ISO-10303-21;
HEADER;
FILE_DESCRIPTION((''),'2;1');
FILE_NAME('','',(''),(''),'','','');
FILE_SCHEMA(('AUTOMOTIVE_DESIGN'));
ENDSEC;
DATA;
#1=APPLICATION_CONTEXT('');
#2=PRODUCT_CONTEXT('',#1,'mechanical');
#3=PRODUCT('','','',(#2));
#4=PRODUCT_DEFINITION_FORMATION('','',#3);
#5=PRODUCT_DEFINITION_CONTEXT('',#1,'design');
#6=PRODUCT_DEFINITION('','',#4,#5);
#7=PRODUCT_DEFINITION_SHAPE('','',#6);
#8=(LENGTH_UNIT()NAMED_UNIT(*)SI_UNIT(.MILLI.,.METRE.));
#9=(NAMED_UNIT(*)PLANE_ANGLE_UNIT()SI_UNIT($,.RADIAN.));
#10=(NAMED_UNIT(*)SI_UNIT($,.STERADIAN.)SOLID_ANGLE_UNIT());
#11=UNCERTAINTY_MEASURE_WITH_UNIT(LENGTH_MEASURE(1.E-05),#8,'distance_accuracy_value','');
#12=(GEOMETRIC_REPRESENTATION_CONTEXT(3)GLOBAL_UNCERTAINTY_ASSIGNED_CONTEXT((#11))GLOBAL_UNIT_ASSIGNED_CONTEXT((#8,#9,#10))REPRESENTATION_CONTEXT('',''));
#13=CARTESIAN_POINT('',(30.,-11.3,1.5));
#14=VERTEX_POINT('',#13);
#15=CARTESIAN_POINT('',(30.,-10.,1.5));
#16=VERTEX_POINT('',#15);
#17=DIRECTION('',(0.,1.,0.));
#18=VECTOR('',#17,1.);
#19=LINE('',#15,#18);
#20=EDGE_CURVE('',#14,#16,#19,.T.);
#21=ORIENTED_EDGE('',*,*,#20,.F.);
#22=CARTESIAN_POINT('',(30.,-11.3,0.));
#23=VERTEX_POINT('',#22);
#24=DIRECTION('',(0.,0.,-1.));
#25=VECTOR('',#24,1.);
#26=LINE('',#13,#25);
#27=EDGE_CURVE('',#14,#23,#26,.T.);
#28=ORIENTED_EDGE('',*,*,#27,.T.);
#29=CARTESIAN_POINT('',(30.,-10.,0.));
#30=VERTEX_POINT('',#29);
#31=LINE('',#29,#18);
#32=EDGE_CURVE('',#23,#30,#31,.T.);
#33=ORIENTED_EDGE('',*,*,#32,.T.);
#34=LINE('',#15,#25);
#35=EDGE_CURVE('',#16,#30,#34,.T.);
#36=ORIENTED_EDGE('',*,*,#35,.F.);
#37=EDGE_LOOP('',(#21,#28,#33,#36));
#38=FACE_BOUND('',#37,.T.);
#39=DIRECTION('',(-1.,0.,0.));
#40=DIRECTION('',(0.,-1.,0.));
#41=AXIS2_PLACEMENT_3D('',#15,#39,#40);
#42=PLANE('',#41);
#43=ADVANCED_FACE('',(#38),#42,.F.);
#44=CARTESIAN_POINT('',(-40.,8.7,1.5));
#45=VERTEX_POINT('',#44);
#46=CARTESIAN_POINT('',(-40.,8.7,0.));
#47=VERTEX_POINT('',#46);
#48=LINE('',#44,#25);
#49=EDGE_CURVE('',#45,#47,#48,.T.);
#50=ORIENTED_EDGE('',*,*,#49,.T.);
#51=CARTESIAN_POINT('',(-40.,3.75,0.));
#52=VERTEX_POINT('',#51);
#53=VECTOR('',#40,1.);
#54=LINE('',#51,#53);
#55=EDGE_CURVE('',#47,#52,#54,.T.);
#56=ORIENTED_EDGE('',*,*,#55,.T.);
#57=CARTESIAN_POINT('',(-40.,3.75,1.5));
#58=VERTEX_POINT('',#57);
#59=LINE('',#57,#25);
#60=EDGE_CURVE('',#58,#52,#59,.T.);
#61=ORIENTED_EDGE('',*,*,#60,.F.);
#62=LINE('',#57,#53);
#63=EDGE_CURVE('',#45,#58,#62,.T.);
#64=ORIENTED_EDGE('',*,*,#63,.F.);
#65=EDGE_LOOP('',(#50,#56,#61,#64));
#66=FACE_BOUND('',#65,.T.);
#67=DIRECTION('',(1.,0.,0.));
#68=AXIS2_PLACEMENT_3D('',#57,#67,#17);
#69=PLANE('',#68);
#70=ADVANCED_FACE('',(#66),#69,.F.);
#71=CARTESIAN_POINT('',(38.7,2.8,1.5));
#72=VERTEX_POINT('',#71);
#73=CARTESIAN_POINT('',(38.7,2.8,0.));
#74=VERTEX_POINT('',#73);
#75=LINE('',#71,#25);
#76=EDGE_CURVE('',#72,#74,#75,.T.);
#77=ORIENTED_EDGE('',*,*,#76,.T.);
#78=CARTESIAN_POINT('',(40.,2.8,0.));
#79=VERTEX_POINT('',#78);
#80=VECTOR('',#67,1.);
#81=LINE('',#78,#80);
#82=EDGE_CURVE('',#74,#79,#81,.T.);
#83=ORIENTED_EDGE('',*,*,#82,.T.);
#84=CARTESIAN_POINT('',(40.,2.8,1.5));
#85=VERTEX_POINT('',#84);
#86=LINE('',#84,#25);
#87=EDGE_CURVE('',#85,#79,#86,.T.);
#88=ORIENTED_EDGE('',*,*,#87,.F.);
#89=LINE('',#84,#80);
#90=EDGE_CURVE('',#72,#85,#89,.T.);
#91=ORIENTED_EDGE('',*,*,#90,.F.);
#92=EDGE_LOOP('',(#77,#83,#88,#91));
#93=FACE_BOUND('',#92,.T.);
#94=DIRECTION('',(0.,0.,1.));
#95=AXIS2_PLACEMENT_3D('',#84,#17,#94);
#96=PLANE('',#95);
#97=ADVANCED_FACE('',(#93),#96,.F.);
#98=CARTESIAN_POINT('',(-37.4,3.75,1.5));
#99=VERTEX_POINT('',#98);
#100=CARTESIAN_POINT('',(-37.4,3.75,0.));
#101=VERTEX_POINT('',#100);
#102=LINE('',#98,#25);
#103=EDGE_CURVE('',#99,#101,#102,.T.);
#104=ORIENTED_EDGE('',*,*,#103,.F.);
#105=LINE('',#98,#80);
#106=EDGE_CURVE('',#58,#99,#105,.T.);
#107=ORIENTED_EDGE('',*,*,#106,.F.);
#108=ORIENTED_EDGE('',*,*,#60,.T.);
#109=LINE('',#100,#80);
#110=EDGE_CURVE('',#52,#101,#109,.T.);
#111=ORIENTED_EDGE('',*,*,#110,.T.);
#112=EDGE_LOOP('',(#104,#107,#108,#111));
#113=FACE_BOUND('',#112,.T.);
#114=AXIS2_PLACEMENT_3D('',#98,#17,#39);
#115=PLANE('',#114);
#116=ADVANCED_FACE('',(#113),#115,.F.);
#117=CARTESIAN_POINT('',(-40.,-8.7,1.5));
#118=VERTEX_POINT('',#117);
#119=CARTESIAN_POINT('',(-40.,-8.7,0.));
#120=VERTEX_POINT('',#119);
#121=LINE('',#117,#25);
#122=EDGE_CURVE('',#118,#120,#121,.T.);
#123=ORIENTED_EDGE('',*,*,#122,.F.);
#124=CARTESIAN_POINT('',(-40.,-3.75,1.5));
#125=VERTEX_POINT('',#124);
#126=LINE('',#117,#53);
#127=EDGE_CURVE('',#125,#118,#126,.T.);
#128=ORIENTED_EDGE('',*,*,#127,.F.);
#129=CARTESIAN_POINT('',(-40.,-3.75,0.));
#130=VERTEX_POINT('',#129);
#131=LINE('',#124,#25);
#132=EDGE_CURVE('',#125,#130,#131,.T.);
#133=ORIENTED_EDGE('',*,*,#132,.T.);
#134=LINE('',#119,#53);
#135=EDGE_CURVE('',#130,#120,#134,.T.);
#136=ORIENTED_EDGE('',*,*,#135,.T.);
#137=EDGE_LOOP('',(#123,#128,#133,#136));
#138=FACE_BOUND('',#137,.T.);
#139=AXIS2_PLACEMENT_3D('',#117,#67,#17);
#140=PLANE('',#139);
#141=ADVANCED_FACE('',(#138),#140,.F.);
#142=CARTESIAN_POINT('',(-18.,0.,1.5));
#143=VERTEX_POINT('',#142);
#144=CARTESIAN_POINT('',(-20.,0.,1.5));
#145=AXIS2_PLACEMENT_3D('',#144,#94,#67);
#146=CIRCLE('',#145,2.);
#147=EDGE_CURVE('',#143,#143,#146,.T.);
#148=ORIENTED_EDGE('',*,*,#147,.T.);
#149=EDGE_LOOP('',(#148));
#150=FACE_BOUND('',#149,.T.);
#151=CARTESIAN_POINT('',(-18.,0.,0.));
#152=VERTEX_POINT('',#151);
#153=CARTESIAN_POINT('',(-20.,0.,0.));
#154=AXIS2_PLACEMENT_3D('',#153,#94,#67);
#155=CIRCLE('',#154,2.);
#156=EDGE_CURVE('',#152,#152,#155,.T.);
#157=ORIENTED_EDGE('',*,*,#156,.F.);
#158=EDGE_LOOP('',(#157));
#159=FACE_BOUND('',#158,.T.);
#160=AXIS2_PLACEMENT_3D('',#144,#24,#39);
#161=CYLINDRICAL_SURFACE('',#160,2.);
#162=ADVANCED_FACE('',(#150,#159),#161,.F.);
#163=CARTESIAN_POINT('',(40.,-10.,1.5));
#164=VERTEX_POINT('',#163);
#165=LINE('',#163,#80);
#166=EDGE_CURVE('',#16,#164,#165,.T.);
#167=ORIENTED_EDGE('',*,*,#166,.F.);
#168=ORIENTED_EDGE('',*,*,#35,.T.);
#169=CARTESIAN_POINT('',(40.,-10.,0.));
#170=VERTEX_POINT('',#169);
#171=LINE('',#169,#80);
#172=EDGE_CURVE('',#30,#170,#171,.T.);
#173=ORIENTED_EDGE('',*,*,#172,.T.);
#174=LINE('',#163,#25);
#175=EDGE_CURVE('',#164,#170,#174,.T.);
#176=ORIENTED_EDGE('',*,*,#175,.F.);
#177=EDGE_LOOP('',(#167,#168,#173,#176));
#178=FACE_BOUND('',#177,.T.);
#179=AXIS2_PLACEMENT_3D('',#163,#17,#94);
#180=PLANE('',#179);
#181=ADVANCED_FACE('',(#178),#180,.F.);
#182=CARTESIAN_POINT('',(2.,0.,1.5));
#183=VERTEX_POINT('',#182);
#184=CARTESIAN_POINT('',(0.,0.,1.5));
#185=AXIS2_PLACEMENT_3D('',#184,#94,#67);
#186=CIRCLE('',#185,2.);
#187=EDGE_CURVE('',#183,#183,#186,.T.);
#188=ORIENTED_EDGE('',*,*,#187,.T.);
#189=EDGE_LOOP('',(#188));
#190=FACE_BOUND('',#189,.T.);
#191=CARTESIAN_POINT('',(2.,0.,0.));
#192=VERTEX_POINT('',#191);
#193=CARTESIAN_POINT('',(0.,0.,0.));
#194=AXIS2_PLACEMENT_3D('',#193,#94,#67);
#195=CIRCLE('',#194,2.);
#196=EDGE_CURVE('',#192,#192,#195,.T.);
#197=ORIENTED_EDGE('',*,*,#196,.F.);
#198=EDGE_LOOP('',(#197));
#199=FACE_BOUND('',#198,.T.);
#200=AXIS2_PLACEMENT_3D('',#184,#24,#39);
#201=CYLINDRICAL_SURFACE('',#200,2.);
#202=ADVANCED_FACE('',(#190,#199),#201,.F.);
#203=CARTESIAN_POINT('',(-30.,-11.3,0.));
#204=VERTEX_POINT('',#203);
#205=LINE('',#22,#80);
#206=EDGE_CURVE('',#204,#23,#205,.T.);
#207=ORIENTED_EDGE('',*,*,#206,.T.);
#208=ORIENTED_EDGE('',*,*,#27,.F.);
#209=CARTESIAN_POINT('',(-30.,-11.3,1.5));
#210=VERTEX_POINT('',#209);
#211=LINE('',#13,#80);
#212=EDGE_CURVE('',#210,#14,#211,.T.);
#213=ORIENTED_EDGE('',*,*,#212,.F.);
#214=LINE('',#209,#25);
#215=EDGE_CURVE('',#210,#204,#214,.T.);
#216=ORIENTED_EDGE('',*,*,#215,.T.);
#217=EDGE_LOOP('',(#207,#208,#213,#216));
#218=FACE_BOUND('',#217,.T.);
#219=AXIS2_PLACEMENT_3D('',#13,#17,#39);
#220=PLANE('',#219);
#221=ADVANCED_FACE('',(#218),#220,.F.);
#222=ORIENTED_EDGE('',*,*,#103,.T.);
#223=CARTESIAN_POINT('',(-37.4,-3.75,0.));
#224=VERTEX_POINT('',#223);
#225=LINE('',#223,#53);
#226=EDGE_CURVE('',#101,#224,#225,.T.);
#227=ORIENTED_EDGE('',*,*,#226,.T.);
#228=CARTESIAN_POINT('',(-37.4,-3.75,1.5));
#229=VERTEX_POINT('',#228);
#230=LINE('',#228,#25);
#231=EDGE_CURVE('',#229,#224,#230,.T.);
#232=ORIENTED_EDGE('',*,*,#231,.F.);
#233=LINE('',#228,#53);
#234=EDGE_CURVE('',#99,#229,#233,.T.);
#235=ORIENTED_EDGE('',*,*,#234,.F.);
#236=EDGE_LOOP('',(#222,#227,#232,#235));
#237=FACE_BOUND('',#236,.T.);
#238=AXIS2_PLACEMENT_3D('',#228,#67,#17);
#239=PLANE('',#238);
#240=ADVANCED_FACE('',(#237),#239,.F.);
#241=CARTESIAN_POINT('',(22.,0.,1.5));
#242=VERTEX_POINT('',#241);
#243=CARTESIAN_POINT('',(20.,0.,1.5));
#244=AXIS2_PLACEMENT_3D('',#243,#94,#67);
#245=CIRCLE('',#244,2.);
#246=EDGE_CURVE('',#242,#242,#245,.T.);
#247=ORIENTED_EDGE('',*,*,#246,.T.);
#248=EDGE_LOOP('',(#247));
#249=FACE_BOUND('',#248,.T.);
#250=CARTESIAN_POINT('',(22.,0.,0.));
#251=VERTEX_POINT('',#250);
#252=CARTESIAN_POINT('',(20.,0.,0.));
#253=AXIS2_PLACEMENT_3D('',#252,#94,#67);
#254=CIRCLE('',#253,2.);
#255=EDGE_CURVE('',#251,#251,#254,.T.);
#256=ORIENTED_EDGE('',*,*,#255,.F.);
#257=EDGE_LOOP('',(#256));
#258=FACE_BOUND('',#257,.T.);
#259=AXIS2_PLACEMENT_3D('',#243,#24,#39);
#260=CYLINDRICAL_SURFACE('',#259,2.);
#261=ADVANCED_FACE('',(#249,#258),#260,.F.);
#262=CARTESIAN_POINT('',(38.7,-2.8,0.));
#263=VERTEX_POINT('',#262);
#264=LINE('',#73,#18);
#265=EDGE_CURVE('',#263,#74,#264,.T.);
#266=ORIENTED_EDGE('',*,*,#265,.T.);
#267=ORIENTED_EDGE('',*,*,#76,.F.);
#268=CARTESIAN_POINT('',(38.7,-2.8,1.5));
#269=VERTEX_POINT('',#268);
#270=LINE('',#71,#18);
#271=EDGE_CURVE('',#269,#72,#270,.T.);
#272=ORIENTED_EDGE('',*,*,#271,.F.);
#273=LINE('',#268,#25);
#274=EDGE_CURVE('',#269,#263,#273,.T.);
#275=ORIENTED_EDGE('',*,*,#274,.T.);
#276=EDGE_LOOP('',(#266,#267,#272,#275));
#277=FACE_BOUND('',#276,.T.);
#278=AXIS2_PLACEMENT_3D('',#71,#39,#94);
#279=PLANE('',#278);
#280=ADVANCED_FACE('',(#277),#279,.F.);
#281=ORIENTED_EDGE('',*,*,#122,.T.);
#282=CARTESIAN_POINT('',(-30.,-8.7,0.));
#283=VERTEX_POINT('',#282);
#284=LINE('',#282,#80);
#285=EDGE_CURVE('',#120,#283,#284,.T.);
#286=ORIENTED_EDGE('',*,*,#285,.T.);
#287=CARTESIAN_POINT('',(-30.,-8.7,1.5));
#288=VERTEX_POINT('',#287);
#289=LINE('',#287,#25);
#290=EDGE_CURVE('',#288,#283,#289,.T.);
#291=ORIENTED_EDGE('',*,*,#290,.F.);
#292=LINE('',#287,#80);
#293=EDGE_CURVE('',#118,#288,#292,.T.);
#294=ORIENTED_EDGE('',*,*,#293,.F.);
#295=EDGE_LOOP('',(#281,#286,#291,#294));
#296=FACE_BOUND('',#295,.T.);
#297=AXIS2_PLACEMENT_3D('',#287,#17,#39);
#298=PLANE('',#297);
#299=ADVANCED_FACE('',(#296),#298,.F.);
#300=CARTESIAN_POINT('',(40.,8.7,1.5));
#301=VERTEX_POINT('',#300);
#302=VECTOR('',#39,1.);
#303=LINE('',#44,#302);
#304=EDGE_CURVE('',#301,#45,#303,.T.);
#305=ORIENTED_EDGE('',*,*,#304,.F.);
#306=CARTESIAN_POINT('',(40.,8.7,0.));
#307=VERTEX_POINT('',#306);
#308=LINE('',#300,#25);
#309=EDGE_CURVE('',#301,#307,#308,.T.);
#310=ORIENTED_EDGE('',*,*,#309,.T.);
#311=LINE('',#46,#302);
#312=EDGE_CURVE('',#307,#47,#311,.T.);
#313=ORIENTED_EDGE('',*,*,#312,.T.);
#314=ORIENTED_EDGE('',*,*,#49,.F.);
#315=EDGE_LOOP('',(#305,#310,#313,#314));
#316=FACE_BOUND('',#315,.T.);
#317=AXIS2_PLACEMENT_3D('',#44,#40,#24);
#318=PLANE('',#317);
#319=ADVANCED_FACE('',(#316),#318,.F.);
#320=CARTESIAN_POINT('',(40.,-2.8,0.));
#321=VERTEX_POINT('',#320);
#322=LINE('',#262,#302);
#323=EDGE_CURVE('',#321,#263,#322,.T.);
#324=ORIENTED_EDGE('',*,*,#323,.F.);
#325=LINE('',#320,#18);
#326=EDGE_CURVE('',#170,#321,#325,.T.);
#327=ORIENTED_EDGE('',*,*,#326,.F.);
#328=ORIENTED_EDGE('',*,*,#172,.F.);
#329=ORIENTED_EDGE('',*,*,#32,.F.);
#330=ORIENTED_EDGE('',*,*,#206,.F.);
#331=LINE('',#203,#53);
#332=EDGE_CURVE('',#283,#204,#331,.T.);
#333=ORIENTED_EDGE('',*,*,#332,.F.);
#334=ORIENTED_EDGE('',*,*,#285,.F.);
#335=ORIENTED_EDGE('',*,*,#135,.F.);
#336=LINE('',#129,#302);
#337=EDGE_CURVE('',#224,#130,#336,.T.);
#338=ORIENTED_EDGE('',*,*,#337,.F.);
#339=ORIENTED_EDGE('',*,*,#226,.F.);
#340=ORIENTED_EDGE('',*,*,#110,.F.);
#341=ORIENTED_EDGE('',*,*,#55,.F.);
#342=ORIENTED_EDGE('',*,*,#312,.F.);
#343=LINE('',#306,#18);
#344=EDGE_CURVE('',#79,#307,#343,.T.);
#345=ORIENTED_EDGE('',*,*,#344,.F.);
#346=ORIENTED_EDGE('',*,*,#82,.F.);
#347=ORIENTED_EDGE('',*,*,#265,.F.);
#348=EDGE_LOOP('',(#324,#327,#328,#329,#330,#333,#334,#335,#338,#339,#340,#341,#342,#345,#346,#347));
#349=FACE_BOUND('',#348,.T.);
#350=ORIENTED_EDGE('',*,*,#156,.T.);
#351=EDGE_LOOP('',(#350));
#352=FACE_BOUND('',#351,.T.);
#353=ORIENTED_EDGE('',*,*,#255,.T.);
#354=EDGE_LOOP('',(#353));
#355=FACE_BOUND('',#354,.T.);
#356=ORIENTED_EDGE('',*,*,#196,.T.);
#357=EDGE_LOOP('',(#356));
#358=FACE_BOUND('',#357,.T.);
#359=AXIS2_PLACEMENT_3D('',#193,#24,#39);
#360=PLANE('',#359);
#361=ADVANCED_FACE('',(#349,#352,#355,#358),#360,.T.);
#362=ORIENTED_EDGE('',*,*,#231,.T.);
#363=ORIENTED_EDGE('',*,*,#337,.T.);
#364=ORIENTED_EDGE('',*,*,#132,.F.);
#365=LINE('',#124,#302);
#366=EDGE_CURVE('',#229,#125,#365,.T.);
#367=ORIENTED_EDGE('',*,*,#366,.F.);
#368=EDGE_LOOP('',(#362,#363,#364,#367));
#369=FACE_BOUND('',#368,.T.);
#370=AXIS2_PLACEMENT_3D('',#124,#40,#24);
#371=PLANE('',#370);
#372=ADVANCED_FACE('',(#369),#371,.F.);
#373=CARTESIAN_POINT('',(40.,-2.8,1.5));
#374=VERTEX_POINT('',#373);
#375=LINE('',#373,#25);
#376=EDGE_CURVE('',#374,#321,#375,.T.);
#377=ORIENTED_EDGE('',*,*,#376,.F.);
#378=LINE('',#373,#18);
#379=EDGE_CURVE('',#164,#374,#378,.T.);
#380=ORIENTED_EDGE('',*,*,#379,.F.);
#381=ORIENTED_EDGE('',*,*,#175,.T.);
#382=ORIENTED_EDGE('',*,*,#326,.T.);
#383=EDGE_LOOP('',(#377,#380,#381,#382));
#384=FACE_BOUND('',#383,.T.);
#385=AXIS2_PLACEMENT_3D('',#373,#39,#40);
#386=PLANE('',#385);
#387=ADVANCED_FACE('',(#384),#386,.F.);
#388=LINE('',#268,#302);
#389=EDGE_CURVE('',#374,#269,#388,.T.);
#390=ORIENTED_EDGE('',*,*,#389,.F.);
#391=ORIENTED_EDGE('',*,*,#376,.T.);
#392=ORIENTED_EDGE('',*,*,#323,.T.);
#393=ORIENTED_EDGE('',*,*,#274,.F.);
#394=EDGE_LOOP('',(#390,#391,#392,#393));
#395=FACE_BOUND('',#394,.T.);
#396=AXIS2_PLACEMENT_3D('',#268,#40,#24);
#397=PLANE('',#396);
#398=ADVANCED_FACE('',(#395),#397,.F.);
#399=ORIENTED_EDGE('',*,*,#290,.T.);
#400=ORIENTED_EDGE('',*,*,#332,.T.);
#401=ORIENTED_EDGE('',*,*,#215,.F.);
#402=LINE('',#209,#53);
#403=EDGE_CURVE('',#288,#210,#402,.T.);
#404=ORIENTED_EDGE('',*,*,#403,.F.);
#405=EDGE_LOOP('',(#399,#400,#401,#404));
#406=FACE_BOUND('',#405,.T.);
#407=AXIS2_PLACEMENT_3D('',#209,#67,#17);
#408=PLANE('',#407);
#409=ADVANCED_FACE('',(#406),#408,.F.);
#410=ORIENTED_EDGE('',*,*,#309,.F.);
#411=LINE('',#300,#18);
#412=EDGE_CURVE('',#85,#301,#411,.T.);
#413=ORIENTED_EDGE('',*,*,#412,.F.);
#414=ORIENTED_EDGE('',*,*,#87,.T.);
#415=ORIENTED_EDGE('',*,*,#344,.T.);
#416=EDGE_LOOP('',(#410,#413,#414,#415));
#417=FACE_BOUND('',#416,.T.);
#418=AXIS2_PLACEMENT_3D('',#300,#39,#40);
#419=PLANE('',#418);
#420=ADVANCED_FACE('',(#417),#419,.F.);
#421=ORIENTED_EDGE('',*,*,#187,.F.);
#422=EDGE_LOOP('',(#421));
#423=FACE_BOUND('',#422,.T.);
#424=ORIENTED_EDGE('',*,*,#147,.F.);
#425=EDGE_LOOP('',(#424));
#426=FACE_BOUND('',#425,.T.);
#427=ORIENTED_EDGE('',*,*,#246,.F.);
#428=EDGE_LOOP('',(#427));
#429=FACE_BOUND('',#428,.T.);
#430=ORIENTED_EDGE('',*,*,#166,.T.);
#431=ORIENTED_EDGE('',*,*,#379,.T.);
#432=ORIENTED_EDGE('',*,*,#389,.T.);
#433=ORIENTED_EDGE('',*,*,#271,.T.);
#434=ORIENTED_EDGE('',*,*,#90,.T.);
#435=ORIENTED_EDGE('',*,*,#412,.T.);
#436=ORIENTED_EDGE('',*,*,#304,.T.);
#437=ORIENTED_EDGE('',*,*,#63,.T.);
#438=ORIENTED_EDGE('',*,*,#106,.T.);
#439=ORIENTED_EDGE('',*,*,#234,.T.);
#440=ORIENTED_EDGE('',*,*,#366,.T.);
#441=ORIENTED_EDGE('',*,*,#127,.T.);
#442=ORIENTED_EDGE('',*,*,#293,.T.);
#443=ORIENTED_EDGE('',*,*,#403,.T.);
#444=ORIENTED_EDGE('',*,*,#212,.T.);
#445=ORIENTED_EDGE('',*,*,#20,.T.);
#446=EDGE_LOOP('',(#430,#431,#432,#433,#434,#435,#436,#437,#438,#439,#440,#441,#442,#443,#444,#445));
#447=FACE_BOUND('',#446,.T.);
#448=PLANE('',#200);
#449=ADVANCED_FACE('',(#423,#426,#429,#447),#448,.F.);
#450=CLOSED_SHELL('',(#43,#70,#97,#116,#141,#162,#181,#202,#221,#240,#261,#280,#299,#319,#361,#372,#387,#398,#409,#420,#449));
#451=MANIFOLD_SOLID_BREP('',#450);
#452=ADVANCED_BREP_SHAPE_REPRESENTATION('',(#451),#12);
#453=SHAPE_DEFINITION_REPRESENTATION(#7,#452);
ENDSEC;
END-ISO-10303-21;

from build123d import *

# Parameters (mm, degrees)
CROQUIS1_R              = 2
SALIENTE_EXTRUIR1_DEPTH = 1.5


with BuildPart() as part:
    # Croquis1 → Saliente-Extruir1 (new body)
    with BuildSketch(Plane.XY):
        Polygon((-40, 8.7), (40, 8.7), (40, 2.8), (38.7, 2.8), (38.7, -2.8), (40, -2.8), (40, -10), (30, -10), (30, -11.3), (-30, -11.3), (-30, -8.7), (-40, -8.7), (-40, -3.75), (-37.4, -3.75), (-37.4, 3.75), (-40, 3.75), align=None)
        with Locations((20, 0)):
            Circle(CROQUIS1_R, mode=Mode.SUBTRACT)
        Circle(CROQUIS1_R, mode=Mode.SUBTRACT)
        with Locations((-20, 0)):
            Circle(CROQUIS1_R, mode=Mode.SUBTRACT)
    extrude(amount=SALIENTE_EXTRUIR1_DEPTH)


solid = part.part
